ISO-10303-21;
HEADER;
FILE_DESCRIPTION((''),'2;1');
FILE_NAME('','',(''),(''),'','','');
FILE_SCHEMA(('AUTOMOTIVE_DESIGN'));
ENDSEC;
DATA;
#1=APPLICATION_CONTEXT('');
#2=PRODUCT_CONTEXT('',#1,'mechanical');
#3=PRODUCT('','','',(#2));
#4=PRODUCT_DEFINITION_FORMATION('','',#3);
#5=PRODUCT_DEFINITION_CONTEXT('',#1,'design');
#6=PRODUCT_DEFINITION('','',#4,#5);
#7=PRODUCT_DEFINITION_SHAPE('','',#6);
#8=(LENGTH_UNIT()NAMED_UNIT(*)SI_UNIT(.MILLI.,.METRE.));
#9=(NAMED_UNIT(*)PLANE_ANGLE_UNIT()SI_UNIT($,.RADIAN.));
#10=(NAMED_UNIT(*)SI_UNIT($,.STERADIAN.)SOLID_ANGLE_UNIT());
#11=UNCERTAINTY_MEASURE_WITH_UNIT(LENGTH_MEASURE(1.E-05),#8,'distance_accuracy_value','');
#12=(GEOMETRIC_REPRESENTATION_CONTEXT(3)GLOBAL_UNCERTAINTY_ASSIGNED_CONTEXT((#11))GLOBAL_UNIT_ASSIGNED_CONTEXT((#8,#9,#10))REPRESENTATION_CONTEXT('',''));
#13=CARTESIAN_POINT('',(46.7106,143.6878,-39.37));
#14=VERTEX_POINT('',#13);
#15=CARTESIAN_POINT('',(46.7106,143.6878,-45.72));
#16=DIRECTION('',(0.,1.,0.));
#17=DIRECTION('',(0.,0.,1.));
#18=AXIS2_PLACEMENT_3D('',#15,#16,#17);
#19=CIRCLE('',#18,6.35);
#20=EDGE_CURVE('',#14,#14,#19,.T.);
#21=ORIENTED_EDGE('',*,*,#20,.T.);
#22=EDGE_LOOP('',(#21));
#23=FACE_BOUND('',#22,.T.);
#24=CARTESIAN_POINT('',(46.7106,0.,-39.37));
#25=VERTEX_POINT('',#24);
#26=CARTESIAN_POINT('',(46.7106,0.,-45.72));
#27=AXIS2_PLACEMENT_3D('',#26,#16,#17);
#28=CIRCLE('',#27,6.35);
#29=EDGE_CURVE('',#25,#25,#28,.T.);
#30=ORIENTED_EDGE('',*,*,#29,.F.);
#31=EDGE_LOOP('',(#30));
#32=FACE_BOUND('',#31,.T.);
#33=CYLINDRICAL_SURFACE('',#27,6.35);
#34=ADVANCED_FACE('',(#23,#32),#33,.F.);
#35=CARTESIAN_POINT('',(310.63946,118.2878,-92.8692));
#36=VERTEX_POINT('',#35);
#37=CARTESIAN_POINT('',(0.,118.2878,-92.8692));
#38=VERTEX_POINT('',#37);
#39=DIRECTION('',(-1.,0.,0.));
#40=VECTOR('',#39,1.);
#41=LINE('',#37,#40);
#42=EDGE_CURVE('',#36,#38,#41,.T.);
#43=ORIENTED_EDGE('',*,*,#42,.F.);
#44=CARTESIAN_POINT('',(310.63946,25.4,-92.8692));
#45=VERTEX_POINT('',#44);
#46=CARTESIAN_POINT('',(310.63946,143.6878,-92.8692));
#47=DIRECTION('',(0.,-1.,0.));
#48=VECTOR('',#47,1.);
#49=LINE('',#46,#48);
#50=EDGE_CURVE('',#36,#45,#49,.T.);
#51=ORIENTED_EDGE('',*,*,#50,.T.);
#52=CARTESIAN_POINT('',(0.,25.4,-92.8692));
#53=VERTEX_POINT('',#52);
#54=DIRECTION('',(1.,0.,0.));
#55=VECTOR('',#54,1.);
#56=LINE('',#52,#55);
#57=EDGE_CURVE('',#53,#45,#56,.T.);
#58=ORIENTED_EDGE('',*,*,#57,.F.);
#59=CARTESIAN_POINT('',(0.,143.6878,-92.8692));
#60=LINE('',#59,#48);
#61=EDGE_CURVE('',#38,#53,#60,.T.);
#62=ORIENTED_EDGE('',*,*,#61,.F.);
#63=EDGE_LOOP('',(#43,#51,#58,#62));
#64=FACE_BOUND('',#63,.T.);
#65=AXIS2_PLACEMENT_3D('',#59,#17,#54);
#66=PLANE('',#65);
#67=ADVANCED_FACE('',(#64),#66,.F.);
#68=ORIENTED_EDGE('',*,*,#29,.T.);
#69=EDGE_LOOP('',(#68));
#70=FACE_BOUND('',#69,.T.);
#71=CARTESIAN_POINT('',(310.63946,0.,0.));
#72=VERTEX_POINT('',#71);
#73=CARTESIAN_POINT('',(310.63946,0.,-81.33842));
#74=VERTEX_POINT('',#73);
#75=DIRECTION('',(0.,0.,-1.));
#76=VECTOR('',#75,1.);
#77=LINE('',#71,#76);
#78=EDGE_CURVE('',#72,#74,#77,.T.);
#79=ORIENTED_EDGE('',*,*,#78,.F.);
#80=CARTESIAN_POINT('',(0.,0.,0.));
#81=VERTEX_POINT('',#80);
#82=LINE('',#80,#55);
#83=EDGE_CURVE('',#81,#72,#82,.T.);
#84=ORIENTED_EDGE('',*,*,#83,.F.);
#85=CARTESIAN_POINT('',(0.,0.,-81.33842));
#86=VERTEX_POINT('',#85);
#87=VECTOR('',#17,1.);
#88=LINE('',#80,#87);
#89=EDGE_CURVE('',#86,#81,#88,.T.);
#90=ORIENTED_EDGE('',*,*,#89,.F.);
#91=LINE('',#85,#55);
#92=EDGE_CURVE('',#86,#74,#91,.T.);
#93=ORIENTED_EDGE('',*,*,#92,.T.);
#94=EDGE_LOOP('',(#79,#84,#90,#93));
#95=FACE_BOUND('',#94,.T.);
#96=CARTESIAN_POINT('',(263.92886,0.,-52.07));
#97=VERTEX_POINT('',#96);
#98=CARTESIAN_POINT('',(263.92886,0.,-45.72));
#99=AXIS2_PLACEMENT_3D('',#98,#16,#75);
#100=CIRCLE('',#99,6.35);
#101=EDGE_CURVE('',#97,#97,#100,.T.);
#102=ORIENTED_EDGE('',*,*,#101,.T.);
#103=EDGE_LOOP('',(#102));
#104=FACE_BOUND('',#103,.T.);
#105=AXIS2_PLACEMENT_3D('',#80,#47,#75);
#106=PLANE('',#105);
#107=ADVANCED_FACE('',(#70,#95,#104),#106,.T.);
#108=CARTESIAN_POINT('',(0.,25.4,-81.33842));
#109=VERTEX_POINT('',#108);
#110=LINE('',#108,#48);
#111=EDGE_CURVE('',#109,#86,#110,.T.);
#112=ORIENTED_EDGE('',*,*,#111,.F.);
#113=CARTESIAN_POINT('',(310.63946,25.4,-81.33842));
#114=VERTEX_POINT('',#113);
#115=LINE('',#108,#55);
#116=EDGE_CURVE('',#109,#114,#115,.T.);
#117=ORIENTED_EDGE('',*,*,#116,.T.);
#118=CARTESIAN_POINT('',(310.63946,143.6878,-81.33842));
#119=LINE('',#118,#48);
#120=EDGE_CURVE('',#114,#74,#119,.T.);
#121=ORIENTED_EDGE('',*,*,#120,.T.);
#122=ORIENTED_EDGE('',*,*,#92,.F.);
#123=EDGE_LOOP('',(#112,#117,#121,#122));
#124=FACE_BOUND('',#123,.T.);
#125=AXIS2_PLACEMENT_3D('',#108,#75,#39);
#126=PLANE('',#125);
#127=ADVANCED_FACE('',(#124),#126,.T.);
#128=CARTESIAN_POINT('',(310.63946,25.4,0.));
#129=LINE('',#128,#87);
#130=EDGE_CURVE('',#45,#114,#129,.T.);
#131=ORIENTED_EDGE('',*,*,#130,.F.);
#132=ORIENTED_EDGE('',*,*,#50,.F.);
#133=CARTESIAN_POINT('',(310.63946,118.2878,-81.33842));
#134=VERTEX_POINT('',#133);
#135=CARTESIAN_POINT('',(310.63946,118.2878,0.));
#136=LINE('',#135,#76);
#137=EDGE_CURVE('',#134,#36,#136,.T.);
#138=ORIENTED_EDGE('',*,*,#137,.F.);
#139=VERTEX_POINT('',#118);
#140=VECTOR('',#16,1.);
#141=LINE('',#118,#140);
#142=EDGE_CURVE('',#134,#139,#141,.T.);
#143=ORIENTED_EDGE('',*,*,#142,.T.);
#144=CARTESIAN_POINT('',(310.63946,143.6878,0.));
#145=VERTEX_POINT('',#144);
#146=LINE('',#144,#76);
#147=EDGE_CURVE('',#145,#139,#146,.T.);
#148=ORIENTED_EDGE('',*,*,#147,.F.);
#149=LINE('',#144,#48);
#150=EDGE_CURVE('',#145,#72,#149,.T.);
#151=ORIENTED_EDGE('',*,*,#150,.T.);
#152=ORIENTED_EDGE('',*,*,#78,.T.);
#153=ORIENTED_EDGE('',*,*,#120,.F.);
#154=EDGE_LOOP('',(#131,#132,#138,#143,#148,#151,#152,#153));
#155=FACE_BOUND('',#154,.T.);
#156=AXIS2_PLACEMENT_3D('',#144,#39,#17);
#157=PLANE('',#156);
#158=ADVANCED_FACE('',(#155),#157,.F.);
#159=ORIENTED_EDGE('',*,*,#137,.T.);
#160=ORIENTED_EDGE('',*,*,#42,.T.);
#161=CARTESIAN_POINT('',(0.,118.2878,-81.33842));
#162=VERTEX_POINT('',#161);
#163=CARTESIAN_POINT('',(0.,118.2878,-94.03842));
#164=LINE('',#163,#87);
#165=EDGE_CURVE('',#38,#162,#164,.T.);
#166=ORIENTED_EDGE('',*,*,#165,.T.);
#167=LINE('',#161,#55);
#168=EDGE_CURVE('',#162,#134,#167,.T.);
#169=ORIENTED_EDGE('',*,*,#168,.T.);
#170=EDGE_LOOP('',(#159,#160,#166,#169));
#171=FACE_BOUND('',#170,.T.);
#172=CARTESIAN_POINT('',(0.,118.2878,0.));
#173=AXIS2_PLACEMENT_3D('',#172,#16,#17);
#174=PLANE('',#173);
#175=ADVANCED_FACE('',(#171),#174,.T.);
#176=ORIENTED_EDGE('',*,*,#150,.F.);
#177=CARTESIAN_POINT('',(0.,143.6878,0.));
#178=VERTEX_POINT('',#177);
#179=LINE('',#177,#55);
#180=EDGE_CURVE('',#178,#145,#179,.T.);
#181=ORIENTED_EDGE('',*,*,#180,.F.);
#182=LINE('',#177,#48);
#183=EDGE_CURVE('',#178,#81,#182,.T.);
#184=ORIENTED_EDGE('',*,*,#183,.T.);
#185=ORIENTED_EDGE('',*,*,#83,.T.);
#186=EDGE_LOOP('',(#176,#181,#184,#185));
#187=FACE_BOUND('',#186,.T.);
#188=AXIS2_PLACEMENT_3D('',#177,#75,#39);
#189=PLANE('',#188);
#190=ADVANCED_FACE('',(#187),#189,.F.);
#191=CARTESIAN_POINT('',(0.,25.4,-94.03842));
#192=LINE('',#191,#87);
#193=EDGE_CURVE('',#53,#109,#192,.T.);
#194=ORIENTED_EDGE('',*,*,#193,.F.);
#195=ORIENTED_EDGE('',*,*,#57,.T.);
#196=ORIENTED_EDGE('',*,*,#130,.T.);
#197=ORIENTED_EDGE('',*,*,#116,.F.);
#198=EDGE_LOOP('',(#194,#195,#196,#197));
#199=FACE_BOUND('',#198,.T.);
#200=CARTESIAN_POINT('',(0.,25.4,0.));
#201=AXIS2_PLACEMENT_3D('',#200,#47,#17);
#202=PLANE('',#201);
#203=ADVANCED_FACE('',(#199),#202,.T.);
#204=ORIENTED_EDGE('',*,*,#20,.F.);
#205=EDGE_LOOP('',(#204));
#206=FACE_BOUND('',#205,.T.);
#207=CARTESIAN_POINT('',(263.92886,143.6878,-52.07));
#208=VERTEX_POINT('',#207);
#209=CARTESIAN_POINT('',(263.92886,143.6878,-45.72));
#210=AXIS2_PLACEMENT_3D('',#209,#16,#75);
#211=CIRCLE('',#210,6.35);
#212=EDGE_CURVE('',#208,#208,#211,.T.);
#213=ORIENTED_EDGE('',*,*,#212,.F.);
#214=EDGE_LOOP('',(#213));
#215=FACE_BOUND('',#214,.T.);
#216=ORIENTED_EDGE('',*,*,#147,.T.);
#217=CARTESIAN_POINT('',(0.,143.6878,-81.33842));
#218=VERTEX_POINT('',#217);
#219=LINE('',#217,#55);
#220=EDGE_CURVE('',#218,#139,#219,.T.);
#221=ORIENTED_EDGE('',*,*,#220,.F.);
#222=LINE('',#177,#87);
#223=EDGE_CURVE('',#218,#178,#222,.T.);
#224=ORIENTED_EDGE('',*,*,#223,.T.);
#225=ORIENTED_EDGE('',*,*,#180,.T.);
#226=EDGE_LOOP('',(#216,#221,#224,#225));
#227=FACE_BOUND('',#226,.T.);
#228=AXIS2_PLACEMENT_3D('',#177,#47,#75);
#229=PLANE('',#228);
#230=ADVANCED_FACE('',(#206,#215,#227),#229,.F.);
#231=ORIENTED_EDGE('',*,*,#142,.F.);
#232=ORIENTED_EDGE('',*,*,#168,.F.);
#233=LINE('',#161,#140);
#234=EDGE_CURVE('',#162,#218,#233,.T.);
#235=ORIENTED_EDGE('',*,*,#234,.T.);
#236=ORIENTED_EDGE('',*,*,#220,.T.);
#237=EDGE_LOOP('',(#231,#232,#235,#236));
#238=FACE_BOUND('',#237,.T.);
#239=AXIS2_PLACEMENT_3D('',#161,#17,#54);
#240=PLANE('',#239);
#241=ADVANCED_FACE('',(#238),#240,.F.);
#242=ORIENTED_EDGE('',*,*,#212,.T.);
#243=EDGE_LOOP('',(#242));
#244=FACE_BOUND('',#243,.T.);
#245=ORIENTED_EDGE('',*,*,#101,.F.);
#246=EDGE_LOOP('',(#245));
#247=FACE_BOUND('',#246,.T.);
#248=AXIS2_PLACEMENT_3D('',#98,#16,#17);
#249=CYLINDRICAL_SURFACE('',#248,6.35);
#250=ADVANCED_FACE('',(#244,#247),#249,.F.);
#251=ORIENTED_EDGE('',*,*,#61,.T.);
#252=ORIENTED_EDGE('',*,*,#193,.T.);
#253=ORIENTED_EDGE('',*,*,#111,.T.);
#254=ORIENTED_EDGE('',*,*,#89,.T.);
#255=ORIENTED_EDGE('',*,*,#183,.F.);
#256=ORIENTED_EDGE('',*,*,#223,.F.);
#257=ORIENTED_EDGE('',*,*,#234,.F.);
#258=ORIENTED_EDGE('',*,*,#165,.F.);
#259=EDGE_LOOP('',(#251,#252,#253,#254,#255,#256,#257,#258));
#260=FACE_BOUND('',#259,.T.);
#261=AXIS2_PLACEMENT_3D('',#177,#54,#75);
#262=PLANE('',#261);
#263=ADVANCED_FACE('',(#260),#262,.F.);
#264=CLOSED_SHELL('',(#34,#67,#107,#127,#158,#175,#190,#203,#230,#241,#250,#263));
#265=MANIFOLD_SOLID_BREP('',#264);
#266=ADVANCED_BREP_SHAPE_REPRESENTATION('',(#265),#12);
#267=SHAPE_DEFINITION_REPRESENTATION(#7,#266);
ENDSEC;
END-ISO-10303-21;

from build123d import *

# Parameters (mm, degrees)
SKETCH1_W           = 310.63946
SKETCH1_H           = 92.869200088
BOSS_EXTRUDE1_DEPTH = 143.6878
SKETCH2_R           = 6.35
CUT_EXTRUDE1_DEPTH  = 355.637485755
SKETCH3_W           = 310.82742
SKETCH3_H           = 12.7
CUT_EXTRUDE2_DEPTH  = 25.4


with BuildPart() as part:
    # Sketch1 → Boss-Extrude1 (new body)
    with BuildSketch(Plane(origin=(0, 0, 0), x_dir=(1, 0, 0), z_dir=(0, 1, 0))):
        with Locations((155.31973, 46.434600044)):
            Rectangle(SKETCH1_W, SKETCH1_H)
    extrude(amount=BOSS_EXTRUDE1_DEPTH)

    # Sketch2 → Cut-Extrude1 (cut, through all)
    with BuildSketch(Plane(origin=(0, 143.6878, 0), x_dir=(1, 0, 0), z_dir=(0, 1, 0))):
        with Locations(Location((46.7106, 45.72, 0), (0, 0, 270))):
            Circle(SKETCH2_R)
        with Locations(Location((263.92886, 45.72, 0), (0, 0, 90))):
            Circle(SKETCH2_R)
    extrude(amount=-CUT_EXTRUDE1_DEPTH, mode=Mode.SUBTRACT)

    # Sketch3 → Cut-Extrude2 (cut)
    with BuildSketch(Plane(origin=(0, 143.6878, 0), x_dir=(1, 0, 0), z_dir=(0, 1, 0))):
        with Locations((155.41371, 87.68842)):
            Rectangle(SKETCH3_W, SKETCH3_H)
    cut_extrude2 = extrude(amount=-CUT_EXTRUDE2_DEPTH, mode=Mode.SUBTRACT)

    # Mirror1: Cut-Extrude2 across plane
    add(cut_extrude2.mirror(Plane.ZX.offset(71.8439)), mode=Mode.SUBTRACT)


solid = part.part
